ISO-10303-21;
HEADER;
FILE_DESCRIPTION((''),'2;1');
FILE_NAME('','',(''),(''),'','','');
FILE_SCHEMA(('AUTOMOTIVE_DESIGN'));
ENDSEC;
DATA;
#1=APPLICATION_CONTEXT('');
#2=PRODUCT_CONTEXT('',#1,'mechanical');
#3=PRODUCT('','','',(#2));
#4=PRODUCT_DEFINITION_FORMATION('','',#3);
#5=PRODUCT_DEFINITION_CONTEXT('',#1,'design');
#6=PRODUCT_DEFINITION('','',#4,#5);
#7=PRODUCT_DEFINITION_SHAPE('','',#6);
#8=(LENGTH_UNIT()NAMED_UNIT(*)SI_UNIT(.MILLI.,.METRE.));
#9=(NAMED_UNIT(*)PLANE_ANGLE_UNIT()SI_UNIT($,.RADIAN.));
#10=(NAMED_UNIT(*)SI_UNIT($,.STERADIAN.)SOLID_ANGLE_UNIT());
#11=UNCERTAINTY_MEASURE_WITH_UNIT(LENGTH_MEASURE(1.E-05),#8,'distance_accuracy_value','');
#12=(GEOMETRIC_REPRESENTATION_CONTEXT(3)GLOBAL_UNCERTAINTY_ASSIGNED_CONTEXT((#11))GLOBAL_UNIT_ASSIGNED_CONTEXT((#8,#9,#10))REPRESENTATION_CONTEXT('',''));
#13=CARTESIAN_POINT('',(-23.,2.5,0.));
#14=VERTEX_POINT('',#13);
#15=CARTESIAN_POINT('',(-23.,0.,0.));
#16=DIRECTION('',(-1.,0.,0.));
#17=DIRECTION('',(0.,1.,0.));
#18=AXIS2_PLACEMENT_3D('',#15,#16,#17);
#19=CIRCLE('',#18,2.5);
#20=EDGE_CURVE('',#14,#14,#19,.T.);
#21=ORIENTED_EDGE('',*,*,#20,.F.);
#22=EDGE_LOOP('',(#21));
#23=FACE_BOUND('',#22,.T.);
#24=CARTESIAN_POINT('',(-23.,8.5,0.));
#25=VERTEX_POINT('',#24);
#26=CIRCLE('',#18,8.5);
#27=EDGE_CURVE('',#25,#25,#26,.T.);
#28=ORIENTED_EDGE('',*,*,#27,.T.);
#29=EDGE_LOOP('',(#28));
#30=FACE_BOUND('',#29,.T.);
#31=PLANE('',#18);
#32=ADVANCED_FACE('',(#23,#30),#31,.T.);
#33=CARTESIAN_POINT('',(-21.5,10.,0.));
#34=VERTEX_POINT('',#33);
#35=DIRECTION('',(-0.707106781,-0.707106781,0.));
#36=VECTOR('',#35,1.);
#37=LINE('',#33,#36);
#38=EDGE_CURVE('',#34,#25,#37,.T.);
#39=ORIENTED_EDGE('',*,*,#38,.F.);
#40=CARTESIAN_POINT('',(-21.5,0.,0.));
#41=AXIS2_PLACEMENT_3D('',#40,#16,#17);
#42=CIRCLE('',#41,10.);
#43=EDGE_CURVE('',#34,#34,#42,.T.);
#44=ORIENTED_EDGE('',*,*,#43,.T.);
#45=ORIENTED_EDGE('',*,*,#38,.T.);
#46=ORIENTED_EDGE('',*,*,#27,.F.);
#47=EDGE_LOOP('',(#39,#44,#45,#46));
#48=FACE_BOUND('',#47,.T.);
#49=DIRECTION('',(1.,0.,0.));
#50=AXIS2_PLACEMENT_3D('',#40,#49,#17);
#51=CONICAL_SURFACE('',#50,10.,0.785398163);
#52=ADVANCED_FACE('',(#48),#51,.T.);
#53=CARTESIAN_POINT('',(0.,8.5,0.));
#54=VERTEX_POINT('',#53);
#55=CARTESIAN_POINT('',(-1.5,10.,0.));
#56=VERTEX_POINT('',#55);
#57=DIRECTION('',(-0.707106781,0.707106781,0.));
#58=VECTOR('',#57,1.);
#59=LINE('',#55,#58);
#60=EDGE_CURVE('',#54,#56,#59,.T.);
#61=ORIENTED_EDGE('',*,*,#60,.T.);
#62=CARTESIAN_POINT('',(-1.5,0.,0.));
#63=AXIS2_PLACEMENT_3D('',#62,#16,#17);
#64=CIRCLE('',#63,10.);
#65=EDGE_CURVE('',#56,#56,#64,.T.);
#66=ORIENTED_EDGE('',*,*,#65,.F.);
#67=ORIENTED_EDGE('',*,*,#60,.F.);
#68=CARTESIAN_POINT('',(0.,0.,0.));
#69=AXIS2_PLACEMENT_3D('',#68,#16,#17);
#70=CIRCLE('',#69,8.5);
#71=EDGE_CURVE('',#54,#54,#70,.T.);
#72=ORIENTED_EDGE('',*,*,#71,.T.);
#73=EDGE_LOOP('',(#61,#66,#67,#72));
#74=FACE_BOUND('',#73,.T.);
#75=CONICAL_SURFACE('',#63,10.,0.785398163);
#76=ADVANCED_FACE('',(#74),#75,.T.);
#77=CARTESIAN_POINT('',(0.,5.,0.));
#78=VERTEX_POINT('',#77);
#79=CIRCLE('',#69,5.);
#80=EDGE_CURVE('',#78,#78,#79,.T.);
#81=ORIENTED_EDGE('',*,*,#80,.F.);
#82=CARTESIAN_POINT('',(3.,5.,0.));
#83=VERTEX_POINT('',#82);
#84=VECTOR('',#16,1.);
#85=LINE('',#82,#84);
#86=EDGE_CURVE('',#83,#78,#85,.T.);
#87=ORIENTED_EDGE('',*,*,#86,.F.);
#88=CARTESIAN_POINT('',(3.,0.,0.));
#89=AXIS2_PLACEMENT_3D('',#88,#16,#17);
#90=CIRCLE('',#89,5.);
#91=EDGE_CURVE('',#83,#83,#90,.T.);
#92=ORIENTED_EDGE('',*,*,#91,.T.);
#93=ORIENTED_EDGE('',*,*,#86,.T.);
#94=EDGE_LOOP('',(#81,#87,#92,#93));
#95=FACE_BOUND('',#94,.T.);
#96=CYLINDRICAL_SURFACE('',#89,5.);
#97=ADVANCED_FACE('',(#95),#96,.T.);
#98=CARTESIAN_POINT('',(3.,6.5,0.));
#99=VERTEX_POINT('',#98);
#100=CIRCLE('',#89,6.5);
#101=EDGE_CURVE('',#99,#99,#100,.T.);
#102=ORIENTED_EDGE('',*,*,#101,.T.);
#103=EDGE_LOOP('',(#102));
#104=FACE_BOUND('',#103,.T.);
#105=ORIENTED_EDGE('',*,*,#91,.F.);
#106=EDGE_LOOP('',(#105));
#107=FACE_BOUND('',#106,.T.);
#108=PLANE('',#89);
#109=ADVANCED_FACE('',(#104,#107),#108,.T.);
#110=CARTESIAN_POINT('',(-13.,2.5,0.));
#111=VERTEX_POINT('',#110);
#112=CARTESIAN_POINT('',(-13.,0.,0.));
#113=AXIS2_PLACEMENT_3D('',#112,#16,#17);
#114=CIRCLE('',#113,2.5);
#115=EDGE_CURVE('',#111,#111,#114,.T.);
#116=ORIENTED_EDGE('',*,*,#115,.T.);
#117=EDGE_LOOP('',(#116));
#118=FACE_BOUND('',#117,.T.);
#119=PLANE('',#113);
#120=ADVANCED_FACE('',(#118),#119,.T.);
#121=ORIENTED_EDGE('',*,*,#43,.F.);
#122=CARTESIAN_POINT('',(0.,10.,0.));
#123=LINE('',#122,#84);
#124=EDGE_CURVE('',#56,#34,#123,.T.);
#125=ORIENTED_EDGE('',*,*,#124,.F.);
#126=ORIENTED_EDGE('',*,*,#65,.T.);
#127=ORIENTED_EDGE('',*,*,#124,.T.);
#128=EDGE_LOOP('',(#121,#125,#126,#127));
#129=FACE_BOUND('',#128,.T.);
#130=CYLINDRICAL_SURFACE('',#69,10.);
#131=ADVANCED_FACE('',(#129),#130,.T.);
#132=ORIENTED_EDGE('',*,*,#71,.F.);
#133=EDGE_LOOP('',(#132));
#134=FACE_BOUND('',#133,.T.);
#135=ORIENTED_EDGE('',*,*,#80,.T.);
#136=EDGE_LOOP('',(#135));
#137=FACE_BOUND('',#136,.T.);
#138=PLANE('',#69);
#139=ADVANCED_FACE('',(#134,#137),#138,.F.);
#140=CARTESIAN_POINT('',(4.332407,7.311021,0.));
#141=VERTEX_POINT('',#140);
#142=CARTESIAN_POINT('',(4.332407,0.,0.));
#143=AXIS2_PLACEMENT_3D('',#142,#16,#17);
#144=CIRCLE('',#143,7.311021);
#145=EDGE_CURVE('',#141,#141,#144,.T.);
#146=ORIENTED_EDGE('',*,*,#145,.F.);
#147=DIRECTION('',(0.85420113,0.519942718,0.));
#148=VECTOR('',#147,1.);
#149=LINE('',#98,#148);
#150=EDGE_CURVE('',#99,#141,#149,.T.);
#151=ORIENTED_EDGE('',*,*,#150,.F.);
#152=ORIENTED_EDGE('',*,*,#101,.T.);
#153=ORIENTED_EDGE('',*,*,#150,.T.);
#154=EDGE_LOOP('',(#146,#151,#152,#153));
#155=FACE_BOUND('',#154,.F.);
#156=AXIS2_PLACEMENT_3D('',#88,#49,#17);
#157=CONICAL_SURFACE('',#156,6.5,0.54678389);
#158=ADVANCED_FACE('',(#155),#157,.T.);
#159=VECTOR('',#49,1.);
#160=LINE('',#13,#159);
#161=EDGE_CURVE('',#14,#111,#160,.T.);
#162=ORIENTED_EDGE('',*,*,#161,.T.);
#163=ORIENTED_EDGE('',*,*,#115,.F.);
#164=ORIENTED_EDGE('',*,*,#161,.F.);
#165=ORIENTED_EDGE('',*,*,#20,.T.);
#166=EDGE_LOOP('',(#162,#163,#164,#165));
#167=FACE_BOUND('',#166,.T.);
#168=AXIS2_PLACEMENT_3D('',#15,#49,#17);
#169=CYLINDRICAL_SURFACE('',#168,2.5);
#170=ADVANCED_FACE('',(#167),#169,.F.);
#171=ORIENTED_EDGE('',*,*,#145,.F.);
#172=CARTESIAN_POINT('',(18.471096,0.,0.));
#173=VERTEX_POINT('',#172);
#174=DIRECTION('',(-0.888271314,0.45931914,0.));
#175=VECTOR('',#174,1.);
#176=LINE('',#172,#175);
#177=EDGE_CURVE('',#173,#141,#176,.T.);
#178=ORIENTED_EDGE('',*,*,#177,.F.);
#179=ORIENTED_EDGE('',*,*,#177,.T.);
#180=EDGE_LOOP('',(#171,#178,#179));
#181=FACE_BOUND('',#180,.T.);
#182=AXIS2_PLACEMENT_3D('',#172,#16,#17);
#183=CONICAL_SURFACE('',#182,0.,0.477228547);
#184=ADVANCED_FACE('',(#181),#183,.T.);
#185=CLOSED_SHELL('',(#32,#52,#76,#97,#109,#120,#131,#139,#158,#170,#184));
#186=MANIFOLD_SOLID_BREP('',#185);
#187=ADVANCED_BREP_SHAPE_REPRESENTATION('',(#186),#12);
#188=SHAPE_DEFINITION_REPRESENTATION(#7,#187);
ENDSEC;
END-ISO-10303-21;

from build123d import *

# Parameters (mm, degrees)
F2_SIZE = 1.5
F3_SIZE = 1.5


with BuildPart() as f1:
    # F0 (on Top) → F1 (revolve)
    with BuildSketch(Plane.XY):
        Polygon((3, 5), (0, 5), (0, 10), (-23, 10), (-23, 2.5), (-22, 2.5), (-13, 2.5), (-13, 0), (0, 0), (18.471096, 0), (3, 8), align=None)
    revolve(axis=Axis((9.235548, 0, 0), (-1, 0, 0)))

    # F2
    f2_edges = [f1.edges().sort_by_distance(p)[0] for p in [
        (0, -10, 0),
        (-23, -10, 0),
        (-11.5, 10, 0),
    ]]
    chamfer(f2_edges, length=F2_SIZE)

    # F3
    f3_edges = [f1.edges().sort_by_distance(p)[0] for p in [
        (3, -8, 0),
    ]]
    chamfer(f3_edges, length=F3_SIZE)


solid = f1.part
